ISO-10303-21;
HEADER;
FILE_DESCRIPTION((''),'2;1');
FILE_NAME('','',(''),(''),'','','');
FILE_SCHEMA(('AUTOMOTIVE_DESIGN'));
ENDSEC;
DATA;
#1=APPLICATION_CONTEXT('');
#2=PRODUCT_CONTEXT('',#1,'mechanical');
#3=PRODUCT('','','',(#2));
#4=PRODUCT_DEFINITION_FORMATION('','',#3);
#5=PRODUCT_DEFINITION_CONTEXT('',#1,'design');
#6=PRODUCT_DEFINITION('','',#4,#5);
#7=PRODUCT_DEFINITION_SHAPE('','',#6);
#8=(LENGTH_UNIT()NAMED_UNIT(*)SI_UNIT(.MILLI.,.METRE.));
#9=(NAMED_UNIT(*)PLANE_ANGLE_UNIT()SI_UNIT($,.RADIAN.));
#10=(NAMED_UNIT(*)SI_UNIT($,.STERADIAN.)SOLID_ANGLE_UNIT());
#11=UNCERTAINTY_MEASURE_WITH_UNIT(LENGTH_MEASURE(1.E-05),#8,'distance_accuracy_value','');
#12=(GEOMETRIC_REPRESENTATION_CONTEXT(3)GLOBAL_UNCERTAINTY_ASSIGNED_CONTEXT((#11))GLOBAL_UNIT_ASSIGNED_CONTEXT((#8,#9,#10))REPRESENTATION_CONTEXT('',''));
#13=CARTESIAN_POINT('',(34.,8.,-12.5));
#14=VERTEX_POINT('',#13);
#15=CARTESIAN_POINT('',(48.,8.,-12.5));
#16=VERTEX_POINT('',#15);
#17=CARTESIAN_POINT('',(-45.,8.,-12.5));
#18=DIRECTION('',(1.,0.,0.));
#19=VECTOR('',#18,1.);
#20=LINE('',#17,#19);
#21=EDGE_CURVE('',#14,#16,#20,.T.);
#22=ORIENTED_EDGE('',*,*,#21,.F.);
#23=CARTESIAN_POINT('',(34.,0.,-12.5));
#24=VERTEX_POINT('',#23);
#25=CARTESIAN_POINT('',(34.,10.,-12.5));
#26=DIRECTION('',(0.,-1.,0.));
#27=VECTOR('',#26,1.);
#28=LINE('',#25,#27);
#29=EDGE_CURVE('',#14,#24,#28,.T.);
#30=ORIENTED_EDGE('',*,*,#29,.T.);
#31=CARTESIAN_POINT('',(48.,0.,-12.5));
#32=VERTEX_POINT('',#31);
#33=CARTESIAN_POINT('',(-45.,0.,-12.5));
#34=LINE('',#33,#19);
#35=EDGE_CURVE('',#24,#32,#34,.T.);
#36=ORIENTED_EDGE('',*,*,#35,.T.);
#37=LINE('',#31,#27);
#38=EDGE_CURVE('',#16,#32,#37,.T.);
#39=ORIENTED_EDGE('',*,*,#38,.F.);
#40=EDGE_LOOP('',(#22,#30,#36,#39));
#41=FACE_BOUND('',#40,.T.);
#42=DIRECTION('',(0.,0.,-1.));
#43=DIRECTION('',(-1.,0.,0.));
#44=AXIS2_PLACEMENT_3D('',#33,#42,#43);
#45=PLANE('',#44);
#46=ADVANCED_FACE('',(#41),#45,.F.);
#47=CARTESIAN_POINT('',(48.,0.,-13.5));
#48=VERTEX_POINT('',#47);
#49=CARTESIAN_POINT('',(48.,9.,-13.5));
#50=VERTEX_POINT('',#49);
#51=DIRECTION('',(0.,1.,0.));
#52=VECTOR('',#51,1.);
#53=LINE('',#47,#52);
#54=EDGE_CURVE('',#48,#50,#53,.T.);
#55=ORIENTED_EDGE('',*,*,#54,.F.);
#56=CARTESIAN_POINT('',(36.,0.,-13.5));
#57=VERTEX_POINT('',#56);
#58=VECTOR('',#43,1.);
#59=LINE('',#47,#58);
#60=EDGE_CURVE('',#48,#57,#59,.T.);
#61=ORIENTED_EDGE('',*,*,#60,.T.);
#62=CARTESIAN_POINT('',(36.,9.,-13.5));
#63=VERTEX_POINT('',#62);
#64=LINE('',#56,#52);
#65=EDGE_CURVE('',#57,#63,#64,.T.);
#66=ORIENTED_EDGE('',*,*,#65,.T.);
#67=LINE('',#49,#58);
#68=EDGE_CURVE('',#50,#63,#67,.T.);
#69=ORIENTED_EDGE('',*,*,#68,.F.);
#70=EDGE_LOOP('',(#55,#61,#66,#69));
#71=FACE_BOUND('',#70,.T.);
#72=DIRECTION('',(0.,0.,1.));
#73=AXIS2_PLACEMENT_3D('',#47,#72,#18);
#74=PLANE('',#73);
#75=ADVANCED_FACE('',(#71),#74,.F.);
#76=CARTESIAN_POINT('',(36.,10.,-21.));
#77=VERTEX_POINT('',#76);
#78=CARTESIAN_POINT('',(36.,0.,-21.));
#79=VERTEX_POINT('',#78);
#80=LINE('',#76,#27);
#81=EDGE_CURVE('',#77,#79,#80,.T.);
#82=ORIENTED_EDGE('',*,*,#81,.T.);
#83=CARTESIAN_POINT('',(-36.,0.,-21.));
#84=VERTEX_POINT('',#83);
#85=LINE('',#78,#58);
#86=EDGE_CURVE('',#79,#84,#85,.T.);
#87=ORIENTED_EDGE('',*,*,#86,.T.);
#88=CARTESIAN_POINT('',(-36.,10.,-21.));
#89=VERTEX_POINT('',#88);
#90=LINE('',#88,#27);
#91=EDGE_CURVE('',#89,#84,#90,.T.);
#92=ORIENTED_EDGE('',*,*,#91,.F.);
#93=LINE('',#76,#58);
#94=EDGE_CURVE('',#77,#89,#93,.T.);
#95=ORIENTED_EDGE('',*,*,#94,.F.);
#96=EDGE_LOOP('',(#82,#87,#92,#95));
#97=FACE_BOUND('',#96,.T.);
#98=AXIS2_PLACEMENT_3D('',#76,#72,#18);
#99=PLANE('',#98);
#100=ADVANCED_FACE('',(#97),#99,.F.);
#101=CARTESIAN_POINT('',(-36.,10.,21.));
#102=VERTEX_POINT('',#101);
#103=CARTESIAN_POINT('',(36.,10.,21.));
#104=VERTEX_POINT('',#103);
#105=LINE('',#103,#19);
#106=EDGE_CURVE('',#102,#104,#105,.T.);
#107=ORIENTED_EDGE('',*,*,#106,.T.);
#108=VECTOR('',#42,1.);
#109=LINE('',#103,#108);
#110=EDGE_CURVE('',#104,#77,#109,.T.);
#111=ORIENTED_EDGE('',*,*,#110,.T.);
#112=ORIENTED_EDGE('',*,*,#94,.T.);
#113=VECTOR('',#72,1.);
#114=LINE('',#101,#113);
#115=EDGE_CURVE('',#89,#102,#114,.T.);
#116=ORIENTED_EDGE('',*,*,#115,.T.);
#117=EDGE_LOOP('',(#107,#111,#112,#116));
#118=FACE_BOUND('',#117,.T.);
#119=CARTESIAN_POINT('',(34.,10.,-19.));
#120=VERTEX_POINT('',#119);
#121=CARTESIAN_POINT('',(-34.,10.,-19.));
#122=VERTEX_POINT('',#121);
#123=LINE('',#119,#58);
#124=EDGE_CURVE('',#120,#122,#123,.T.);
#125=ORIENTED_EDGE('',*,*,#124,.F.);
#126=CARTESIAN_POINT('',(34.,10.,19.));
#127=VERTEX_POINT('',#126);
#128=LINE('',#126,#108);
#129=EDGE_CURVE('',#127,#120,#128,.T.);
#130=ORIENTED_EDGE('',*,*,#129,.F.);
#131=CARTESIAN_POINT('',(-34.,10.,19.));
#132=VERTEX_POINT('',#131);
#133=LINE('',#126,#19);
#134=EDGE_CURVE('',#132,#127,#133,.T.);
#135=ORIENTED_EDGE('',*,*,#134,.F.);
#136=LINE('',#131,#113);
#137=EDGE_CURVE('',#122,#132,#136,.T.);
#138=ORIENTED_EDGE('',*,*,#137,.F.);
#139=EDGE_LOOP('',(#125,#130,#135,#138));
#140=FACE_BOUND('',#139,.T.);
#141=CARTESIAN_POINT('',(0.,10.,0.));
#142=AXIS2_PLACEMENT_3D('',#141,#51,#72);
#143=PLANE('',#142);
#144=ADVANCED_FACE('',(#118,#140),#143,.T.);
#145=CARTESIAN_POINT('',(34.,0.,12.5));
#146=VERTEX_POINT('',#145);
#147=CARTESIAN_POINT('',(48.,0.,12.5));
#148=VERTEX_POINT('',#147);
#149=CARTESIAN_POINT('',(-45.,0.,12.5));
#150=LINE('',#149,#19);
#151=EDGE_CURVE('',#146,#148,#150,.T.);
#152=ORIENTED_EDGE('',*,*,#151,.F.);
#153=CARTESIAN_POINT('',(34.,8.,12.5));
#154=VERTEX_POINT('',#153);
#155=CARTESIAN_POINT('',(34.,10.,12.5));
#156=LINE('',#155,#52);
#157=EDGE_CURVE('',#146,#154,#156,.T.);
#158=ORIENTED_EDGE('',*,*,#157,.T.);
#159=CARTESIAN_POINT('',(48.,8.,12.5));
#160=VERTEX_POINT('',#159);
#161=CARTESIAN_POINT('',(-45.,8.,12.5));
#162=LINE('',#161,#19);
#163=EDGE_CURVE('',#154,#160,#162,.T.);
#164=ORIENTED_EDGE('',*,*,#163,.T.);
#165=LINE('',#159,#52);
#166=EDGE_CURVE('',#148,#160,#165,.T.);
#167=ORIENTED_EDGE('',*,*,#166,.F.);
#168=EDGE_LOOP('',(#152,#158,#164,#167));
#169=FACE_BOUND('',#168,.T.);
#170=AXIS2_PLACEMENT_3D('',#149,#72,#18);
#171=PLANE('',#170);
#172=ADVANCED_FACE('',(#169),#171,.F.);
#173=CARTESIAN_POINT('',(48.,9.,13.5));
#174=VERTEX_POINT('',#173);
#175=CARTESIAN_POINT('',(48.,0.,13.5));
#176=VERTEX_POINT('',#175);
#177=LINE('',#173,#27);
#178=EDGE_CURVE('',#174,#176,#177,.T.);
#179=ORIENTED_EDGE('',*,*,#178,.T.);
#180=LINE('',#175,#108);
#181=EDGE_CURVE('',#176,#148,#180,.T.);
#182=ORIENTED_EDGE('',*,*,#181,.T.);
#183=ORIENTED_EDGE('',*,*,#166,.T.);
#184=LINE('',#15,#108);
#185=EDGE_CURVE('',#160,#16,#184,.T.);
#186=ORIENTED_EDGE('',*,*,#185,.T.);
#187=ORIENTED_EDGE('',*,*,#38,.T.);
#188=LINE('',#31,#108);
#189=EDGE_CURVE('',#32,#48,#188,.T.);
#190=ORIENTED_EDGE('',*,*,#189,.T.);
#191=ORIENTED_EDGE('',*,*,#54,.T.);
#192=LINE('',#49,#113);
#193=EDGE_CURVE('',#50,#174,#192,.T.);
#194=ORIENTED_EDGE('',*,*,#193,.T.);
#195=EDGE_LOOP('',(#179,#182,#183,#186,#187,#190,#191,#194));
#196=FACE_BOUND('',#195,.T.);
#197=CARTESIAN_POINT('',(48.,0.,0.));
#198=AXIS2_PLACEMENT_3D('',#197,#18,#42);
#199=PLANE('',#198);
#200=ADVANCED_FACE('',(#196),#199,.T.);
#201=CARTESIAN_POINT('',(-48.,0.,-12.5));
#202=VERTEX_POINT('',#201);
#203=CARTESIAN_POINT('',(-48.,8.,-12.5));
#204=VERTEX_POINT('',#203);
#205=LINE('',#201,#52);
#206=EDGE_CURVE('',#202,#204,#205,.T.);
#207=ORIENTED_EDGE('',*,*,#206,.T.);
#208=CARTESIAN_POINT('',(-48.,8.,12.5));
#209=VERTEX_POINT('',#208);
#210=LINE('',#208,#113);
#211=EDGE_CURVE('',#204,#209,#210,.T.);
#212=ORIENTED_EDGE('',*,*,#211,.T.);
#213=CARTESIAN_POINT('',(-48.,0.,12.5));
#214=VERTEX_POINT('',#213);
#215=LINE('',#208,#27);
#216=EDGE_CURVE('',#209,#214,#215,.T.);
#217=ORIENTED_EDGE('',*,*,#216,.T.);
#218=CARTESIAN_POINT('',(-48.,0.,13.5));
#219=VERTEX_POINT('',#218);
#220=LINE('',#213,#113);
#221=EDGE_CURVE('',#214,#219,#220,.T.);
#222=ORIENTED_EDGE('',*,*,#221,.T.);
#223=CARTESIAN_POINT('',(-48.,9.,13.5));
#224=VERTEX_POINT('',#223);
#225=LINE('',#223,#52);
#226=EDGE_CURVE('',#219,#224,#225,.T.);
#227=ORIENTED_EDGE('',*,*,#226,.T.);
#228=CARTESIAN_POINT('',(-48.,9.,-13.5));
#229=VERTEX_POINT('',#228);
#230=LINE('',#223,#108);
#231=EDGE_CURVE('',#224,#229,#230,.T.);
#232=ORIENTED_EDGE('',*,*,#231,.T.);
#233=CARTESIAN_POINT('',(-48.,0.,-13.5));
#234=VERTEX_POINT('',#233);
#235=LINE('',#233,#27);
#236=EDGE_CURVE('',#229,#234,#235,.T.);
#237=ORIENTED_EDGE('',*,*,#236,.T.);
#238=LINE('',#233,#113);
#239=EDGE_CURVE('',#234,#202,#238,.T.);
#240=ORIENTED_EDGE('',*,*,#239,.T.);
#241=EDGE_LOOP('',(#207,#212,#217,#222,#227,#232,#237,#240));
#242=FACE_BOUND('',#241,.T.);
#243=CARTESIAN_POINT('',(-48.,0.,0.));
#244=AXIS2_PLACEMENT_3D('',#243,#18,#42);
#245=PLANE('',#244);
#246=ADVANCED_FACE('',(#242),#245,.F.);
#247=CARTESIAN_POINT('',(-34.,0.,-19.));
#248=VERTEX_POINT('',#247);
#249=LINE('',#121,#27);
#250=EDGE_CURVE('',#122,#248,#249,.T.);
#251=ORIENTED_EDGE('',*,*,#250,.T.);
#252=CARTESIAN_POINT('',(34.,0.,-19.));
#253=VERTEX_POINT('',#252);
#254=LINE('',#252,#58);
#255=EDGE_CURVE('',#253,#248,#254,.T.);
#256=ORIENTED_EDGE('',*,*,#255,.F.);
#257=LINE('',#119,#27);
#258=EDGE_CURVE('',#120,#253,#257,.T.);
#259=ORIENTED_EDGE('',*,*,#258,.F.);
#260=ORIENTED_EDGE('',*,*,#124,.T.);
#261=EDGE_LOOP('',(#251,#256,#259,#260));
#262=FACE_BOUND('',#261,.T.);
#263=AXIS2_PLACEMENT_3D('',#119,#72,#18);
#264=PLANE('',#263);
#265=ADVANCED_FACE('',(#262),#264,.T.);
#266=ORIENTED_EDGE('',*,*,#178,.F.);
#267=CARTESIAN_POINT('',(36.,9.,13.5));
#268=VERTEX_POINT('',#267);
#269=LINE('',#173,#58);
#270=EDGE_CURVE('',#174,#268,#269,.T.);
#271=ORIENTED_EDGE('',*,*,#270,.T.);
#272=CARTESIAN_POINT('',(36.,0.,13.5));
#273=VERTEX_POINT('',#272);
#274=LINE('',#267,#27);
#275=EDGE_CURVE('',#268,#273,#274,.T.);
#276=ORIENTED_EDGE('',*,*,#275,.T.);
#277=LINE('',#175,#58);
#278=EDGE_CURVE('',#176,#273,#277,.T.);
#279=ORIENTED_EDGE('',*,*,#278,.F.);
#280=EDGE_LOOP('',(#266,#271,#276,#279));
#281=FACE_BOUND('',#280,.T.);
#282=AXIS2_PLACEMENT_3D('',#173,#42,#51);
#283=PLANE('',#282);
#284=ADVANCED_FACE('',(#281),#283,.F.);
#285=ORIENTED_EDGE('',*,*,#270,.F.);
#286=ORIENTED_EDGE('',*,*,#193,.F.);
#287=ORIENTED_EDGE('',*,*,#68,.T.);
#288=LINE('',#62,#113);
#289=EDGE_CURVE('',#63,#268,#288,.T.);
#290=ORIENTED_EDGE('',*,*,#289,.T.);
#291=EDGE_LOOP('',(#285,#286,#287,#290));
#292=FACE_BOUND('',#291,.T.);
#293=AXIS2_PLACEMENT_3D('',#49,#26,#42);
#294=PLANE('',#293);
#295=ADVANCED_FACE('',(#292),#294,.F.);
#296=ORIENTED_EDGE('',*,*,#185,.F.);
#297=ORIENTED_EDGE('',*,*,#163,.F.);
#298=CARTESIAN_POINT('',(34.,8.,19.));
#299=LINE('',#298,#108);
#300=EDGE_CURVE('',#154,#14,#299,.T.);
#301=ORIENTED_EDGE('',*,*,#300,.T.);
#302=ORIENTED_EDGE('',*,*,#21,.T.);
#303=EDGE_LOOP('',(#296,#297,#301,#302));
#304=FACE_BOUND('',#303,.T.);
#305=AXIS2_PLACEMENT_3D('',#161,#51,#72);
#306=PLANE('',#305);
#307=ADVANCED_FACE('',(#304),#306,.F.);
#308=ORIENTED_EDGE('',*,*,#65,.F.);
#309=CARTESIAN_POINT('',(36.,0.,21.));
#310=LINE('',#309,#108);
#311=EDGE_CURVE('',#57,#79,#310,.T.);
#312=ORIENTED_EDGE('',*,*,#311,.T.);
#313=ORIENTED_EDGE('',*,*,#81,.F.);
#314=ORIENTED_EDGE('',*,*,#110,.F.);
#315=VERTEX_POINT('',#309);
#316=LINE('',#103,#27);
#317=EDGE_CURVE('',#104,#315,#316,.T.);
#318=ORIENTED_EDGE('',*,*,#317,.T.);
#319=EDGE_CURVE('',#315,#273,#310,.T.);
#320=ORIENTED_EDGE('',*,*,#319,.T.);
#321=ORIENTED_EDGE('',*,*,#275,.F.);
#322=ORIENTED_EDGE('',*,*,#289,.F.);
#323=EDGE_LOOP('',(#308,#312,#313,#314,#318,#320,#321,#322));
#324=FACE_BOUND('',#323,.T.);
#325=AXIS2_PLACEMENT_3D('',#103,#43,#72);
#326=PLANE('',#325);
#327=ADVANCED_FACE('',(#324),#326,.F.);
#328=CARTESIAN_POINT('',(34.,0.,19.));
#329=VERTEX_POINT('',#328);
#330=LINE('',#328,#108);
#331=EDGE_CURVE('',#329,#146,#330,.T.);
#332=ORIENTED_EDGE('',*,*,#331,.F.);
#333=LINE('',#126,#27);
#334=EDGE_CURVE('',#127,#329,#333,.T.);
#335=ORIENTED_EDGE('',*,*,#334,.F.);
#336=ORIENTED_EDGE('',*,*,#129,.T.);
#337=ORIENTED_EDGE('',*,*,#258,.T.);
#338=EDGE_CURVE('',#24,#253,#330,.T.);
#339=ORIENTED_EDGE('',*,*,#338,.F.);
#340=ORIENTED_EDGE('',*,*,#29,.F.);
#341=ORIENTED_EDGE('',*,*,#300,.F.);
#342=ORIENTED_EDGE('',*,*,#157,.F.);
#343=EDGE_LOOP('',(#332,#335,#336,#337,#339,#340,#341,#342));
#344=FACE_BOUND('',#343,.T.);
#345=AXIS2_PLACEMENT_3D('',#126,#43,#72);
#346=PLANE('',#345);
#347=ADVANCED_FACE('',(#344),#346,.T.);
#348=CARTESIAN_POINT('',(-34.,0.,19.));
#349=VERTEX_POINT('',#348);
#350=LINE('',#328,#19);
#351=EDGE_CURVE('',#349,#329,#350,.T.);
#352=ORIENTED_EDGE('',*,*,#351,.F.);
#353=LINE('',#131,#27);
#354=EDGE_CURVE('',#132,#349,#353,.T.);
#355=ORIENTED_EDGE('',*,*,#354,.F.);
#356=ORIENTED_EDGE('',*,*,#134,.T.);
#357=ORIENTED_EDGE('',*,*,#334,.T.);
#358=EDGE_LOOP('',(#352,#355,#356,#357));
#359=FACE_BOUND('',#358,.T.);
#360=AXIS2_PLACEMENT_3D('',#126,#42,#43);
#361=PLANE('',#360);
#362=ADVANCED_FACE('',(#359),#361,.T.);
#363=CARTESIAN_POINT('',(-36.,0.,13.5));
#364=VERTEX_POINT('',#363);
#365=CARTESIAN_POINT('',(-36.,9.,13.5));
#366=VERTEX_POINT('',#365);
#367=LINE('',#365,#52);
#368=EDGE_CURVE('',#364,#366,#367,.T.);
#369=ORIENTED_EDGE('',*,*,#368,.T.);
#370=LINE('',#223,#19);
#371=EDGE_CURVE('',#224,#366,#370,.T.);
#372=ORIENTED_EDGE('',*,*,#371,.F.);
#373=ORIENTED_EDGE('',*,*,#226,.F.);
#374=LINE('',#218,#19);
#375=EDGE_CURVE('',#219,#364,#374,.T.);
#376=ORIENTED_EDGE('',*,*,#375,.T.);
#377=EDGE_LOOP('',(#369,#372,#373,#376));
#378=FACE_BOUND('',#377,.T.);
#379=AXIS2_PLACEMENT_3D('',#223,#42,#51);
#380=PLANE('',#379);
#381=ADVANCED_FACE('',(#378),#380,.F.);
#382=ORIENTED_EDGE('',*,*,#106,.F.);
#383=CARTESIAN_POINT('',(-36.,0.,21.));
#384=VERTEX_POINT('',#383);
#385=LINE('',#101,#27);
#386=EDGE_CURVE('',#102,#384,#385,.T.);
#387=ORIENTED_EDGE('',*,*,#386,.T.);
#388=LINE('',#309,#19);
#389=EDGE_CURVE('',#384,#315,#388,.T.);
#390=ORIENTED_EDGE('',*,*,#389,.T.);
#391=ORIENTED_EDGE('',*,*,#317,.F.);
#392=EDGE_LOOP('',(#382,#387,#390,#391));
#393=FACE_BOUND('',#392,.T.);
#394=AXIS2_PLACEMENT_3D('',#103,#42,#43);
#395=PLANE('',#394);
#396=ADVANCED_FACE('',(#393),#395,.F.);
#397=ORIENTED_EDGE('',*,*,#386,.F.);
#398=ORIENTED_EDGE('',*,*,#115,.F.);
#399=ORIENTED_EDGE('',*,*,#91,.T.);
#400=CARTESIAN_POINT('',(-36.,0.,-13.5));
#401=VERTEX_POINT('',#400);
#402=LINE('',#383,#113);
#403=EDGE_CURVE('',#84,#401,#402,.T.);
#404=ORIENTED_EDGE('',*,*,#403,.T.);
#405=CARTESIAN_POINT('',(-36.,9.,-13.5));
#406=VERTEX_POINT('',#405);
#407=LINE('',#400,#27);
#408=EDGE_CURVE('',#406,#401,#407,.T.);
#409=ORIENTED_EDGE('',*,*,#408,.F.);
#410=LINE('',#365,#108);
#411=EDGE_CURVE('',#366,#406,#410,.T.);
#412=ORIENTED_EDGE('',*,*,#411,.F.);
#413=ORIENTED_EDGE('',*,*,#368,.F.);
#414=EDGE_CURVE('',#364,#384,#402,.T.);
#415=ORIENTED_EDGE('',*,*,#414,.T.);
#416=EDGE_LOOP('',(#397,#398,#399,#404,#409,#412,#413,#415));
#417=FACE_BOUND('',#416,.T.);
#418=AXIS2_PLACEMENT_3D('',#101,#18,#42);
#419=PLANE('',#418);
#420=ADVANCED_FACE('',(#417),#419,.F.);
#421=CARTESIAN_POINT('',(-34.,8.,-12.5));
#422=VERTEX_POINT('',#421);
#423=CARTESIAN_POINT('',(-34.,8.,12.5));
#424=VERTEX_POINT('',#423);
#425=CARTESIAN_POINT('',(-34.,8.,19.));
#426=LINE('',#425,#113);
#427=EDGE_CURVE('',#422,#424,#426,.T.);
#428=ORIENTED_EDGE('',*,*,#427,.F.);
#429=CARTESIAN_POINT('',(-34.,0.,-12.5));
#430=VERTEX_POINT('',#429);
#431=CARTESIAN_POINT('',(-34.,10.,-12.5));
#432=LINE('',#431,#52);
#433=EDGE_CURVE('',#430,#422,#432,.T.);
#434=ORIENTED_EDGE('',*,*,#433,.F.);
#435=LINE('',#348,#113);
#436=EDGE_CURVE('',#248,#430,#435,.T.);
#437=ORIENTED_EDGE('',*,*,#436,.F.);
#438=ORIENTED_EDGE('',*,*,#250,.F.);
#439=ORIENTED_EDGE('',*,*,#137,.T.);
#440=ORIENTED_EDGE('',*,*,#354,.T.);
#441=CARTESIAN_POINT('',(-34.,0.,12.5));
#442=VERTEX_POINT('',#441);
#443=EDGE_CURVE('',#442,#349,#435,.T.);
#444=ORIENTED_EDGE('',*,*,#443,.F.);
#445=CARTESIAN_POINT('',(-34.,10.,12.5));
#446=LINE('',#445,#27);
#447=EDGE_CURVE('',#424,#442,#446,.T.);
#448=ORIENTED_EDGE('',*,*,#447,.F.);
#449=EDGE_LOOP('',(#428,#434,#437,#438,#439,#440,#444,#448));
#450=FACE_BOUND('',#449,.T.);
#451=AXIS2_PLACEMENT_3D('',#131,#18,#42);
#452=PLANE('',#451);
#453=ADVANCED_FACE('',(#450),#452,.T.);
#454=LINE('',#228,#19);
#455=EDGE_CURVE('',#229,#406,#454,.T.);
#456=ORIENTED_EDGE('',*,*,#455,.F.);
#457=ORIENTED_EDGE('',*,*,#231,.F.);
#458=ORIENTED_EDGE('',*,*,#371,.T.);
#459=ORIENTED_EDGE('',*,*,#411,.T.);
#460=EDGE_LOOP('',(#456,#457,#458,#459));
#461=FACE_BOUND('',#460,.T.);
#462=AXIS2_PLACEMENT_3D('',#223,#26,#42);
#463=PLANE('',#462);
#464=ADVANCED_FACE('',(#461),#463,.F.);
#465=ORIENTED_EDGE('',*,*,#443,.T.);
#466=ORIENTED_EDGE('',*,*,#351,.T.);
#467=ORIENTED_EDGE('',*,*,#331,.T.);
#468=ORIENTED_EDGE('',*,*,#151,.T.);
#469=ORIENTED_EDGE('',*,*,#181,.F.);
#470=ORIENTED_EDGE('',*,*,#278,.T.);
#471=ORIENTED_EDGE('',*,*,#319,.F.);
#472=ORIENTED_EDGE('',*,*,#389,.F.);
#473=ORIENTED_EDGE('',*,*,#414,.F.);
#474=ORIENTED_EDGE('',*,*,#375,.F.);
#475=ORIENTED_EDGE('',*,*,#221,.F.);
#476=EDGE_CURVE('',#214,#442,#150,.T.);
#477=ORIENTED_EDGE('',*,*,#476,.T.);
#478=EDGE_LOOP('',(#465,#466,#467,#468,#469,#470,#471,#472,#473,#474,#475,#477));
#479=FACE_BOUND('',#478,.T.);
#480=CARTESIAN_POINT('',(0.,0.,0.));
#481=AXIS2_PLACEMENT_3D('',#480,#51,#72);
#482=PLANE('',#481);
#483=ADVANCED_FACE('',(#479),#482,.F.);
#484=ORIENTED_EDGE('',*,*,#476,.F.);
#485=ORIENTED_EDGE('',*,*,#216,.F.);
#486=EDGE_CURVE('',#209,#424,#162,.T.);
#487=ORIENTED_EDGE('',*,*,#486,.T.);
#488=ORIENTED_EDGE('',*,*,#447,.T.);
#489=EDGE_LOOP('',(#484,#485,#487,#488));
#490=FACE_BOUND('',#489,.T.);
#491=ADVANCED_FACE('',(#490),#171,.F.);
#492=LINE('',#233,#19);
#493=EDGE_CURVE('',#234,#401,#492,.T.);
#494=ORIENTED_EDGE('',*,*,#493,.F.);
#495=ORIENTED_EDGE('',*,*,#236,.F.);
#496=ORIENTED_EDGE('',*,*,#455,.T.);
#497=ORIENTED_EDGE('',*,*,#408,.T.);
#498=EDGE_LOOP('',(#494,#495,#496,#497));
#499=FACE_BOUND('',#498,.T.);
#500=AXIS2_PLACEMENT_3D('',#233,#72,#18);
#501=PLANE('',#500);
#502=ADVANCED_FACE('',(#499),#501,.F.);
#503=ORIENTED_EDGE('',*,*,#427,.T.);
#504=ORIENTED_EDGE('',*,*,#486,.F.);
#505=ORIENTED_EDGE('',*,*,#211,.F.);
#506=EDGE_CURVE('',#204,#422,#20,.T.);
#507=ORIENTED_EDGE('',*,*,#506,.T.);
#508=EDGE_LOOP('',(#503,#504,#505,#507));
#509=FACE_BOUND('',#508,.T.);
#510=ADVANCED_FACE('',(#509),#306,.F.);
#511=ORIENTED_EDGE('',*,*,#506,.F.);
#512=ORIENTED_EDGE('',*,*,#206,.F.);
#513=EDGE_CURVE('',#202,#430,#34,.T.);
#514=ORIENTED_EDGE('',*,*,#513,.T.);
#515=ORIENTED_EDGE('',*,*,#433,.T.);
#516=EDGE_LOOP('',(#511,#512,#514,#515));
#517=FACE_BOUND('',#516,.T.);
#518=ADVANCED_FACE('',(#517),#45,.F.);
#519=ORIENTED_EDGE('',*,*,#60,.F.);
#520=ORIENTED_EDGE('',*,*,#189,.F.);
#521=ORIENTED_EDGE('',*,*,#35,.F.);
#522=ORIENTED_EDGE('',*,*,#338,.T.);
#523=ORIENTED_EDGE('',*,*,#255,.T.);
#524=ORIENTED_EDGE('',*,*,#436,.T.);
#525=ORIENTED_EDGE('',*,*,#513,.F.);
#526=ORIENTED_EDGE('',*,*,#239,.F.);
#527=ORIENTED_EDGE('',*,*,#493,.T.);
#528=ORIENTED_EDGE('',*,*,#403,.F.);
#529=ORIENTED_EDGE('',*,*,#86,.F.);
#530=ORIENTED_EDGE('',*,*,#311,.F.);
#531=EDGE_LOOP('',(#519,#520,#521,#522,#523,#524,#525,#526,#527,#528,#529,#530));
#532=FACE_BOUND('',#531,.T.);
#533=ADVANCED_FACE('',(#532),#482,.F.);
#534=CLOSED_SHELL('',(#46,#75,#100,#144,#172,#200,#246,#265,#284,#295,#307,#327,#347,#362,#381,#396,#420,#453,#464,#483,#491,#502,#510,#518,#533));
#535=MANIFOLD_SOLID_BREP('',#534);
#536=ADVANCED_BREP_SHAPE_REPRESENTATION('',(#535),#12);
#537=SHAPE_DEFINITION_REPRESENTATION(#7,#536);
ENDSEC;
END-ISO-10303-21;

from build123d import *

# Parameters (mm, degrees)
SKETCH_1_W          = 72
SKETCH_1_H          = 42
SKETCH_1_W_2        = 68
SKETCH_1_H_2        = 38
EXTRUDE_1_DEPTH     = 10
SKETCH_2_W          = 25
SKETCH_2_H          = 8
CUT_EXTRUDE_1_DEPTH = 81
EXTRUDE_4_DEPTH     = 12
EXTRUDE_5_DEPTH     = 12


with BuildPart() as part:
    # 草圖1 → 填料-伸長1 (new body)
    with BuildSketch(Plane(origin=(0, 0, 0), x_dir=(1, 0, 0), z_dir=(0, 1, 0))):
        Rectangle(SKETCH_1_W, SKETCH_1_H)
        Rectangle(SKETCH_1_W_2, SKETCH_1_H_2, mode=Mode.SUBTRACT)
    extrude(amount=EXTRUDE_1_DEPTH)

    # 草圖2 → 除料-伸長1 (cut)
    with BuildSketch(Plane(origin=(36, 0, 0), x_dir=(0, 0, -1), z_dir=(1, 0, 0))):
        with Locations((0, 4)):
            Rectangle(SKETCH_2_W, SKETCH_2_H)
    extrude(amount=-CUT_EXTRUDE_1_DEPTH, mode=Mode.SUBTRACT)

    # 草圖7 → 填料-伸長4 (add)
    with BuildSketch(Plane(origin=(36, 0, 0), x_dir=(0, 0, -1), z_dir=(1, 0, 0))):
        Polygon((12.5, 0), (12.5, 8), (-12.5, 8), (-12.5, 0), (-13.5, 0), (-13.5, 9), (13.5, 9), (13.5, 0), align=None)
    extrude(amount=EXTRUDE_4_DEPTH)

    # 草圖9 → 填料-伸長5 (add)
    with BuildSketch(Plane.ZY.offset(36)):
        Polygon((12.5, 8), (12.5, 0), (13.5, 0), (13.5, 9), (-13.5, 9), (-13.5, 0), (-12.5, 0), (-12.5, 8), align=None)
    extrude(amount=EXTRUDE_5_DEPTH)


solid = part.part
